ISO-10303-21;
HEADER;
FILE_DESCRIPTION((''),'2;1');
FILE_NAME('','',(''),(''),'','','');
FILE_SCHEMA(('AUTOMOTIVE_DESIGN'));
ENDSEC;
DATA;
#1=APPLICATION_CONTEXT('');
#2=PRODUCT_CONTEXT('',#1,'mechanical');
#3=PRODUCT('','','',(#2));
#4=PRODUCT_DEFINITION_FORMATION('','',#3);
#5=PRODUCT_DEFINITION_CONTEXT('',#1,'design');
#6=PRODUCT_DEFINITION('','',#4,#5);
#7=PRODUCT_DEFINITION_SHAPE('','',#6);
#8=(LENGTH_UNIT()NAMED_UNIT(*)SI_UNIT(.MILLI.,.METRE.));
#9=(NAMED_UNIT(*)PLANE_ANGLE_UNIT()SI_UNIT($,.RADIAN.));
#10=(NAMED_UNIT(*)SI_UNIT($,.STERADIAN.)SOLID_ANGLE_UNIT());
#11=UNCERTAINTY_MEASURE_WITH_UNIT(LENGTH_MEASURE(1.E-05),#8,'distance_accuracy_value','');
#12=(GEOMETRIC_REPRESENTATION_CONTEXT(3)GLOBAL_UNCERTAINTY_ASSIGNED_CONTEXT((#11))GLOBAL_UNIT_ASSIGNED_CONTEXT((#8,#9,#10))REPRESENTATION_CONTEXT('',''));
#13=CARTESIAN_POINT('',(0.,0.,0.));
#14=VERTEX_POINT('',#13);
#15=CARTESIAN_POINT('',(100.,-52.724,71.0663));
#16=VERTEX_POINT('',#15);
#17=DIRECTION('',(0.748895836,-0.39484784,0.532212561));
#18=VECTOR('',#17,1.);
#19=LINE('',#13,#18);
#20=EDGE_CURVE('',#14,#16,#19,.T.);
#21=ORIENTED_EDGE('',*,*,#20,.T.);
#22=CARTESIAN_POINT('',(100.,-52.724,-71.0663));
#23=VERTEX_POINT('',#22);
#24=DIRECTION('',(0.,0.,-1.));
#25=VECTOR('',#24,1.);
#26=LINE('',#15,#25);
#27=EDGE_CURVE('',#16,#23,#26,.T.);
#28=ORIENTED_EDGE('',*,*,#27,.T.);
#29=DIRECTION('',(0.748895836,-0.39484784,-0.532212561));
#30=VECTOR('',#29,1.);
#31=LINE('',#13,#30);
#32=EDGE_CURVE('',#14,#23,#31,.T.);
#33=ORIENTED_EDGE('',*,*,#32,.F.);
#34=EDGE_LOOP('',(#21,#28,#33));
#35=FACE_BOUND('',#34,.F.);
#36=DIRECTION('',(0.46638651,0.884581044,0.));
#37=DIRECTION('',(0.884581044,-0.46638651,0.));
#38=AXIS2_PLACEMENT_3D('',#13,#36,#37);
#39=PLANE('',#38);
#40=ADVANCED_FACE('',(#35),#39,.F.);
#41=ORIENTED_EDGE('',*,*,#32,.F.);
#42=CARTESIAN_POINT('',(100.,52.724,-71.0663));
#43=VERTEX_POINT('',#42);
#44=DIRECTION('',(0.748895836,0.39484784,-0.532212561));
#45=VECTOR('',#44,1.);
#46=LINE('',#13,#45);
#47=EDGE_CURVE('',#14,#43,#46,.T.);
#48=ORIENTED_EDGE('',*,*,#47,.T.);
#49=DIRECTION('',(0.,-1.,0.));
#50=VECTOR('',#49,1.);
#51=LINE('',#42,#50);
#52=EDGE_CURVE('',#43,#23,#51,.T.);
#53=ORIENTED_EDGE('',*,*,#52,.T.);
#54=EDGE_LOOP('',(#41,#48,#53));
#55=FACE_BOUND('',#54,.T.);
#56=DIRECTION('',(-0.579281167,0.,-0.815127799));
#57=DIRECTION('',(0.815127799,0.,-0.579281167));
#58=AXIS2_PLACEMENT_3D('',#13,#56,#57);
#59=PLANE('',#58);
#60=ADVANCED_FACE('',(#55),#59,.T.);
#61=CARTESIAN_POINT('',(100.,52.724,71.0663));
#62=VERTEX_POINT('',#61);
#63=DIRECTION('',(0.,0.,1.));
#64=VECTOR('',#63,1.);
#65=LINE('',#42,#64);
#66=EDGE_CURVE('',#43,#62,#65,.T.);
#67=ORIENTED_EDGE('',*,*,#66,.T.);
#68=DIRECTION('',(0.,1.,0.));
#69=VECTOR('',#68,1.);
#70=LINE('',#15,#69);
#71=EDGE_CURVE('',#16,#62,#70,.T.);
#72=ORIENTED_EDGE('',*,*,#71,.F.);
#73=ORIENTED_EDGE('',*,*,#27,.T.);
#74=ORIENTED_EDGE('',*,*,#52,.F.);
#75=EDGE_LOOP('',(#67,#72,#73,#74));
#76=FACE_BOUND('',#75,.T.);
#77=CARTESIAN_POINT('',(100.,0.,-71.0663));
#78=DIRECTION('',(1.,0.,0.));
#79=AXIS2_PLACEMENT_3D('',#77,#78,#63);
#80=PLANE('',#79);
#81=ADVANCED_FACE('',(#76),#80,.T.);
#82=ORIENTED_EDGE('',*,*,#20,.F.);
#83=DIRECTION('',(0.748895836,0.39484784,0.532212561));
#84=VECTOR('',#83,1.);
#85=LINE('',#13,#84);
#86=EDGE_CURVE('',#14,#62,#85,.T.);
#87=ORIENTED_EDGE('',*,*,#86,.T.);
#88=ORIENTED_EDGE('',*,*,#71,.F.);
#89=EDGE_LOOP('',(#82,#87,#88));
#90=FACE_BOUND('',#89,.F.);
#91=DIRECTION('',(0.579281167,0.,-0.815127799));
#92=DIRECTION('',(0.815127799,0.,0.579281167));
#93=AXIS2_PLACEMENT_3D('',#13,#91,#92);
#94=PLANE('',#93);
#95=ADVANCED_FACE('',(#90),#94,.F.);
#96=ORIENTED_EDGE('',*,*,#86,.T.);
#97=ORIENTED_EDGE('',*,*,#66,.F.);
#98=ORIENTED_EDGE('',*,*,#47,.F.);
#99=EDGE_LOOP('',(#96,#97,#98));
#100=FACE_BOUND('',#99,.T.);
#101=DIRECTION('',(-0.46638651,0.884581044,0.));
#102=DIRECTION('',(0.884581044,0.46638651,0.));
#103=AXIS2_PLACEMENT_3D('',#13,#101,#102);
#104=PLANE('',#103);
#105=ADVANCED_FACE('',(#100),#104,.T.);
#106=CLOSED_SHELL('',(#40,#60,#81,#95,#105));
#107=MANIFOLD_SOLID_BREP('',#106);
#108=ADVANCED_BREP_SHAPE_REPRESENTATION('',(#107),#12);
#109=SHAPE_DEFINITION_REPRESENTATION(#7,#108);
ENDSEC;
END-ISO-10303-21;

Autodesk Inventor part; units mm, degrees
ref_plane "XZ Plane" through (0, 0, 0) normal (0, 1, 0) x (-1, 0, 0)
ref_plane "XY Plane" through (0, 0, 0) normal (0, 0, 1) x (1, 0, 0)
sketch "Эскиз1" plane through (0, 0, 0) normal (0, 0, 1) x (1, 0, 0)
  line L0 (0, 0) -> (100, 0)
  line L1 (0, 0) -> (100, -52.724)
  line L2 (0, 0) -> (100, 52.724)
  line L3 (100, -52.724) -> (100, 52.724)
  line L4 (100, 52.724) -> (100, -52.724)
  line L5 (100, -52.724) -> (0, -52.724)
  line L6 (0, -52.724) -> (0, 52.724)
  line L7 (0, 52.724) -> (100, 52.724)
  dimension "d0" = 100
  dimension "d2" = 55.6
sketch "Эскиз2" plane through (0, 0, 0) normal (0, 1, 0) x (-1, 0, 0)
  line L0 (0, 0) -> (-100, 0)
  line L1 (0, 0) -> (-100, -71.0663)
  line L2 (0, 0) -> (-100, 71.0663)
  line L3 (-100, -71.0663) -> (-100, 71.0663)
  dimension "d3" = 100
  dimension "d5" = 70.8
ref_plane "РабПлоскость1" through (100, 0, 0) normal (1, 0, 0) x (0, 1, 0)
sketch "Эскиз3" plane through (100, 0, 0) normal (1, 0, 0) x (0, 1, 0)
  line L0 (0, 0) -> (0, -71.0663) projected
  line L1 (0, -71.0663) -> (0, 71.0663) projected
  line L2 (-52.724, 0) -> (52.724, 0) projected
  line L3 (-52.724, 71.0663) -> (52.724, 71.0663)
  line L4 (52.724, 71.0663) -> (52.724, -71.0663)
  line L5 (52.724, -71.0663) -> (-52.724, -71.0663)
  line L6 (-52.724, -71.0663) -> (-52.724, 71.0663)
  line L7 (-52.724, 71.0663) -> (52.724, -71.0663) construction
  line L8 (52.724, 71.0663) -> (-52.724, -71.0663) construction
extrude "Выдавливание1" add sketch "Эскиз2" along normal mid plane 105.448
extrude "Выдавливание2" cut sketch "Эскиз1" along normal mid plane 142.133 contours L6 L7 L2 | L1 L5 L6
ref_plane "РабПлоскость4" through (100, 52.724, -71.0663) normal (0, -0.8031, -0.5958) x (0, -0.5958, 0.8031)
ref_plane "РабПлоскость5" through (100, 52.724, 71.0663) normal (0, 0.8031, -0.5958) x (0, -0.5958, -0.8031)
sketch "Эскиз7" plane through (100, 52.724, -71.0663) normal (0, -0.8031, -0.5958) x (0, -0.5958, 0.8031)
  line L0 (62.8289, 0) -> (176.9773, 0) projected
  line L1 (176.9773, 0) -> (88.4886, 100)
  line L2 (88.4886, 100) -> (0, 0) projected
  line L3 (88.4886, 100) -> (0, 0)
  line L4 (0, 0) -> (176.9773, 0)
sketch "Эскиз8" plane through (100, 52.724, 71.0663) normal (0, 0.8031, -0.5958) x (0, -0.5958, -0.8031)
  line L0 (62.8289, 0) -> (0, 0) projected
  line L1 (176.9772, 0) -> (88.4886, 100) projected
  line L2 (0, 0) -> (88.4886, 100)
  line L3 (88.4886, 100) -> (176.9772, 0)
  line L4 (114.1484, 0) -> (176.9773, 0) projected
  line L5 (176.9772, 0) -> (0, 0)
  line L6 (88.4886, 100) -> (88.4886, 0)
  line L7 (176.9773, 0) -> (62.8289, 0) projected
properties part number "cameraFOV"
